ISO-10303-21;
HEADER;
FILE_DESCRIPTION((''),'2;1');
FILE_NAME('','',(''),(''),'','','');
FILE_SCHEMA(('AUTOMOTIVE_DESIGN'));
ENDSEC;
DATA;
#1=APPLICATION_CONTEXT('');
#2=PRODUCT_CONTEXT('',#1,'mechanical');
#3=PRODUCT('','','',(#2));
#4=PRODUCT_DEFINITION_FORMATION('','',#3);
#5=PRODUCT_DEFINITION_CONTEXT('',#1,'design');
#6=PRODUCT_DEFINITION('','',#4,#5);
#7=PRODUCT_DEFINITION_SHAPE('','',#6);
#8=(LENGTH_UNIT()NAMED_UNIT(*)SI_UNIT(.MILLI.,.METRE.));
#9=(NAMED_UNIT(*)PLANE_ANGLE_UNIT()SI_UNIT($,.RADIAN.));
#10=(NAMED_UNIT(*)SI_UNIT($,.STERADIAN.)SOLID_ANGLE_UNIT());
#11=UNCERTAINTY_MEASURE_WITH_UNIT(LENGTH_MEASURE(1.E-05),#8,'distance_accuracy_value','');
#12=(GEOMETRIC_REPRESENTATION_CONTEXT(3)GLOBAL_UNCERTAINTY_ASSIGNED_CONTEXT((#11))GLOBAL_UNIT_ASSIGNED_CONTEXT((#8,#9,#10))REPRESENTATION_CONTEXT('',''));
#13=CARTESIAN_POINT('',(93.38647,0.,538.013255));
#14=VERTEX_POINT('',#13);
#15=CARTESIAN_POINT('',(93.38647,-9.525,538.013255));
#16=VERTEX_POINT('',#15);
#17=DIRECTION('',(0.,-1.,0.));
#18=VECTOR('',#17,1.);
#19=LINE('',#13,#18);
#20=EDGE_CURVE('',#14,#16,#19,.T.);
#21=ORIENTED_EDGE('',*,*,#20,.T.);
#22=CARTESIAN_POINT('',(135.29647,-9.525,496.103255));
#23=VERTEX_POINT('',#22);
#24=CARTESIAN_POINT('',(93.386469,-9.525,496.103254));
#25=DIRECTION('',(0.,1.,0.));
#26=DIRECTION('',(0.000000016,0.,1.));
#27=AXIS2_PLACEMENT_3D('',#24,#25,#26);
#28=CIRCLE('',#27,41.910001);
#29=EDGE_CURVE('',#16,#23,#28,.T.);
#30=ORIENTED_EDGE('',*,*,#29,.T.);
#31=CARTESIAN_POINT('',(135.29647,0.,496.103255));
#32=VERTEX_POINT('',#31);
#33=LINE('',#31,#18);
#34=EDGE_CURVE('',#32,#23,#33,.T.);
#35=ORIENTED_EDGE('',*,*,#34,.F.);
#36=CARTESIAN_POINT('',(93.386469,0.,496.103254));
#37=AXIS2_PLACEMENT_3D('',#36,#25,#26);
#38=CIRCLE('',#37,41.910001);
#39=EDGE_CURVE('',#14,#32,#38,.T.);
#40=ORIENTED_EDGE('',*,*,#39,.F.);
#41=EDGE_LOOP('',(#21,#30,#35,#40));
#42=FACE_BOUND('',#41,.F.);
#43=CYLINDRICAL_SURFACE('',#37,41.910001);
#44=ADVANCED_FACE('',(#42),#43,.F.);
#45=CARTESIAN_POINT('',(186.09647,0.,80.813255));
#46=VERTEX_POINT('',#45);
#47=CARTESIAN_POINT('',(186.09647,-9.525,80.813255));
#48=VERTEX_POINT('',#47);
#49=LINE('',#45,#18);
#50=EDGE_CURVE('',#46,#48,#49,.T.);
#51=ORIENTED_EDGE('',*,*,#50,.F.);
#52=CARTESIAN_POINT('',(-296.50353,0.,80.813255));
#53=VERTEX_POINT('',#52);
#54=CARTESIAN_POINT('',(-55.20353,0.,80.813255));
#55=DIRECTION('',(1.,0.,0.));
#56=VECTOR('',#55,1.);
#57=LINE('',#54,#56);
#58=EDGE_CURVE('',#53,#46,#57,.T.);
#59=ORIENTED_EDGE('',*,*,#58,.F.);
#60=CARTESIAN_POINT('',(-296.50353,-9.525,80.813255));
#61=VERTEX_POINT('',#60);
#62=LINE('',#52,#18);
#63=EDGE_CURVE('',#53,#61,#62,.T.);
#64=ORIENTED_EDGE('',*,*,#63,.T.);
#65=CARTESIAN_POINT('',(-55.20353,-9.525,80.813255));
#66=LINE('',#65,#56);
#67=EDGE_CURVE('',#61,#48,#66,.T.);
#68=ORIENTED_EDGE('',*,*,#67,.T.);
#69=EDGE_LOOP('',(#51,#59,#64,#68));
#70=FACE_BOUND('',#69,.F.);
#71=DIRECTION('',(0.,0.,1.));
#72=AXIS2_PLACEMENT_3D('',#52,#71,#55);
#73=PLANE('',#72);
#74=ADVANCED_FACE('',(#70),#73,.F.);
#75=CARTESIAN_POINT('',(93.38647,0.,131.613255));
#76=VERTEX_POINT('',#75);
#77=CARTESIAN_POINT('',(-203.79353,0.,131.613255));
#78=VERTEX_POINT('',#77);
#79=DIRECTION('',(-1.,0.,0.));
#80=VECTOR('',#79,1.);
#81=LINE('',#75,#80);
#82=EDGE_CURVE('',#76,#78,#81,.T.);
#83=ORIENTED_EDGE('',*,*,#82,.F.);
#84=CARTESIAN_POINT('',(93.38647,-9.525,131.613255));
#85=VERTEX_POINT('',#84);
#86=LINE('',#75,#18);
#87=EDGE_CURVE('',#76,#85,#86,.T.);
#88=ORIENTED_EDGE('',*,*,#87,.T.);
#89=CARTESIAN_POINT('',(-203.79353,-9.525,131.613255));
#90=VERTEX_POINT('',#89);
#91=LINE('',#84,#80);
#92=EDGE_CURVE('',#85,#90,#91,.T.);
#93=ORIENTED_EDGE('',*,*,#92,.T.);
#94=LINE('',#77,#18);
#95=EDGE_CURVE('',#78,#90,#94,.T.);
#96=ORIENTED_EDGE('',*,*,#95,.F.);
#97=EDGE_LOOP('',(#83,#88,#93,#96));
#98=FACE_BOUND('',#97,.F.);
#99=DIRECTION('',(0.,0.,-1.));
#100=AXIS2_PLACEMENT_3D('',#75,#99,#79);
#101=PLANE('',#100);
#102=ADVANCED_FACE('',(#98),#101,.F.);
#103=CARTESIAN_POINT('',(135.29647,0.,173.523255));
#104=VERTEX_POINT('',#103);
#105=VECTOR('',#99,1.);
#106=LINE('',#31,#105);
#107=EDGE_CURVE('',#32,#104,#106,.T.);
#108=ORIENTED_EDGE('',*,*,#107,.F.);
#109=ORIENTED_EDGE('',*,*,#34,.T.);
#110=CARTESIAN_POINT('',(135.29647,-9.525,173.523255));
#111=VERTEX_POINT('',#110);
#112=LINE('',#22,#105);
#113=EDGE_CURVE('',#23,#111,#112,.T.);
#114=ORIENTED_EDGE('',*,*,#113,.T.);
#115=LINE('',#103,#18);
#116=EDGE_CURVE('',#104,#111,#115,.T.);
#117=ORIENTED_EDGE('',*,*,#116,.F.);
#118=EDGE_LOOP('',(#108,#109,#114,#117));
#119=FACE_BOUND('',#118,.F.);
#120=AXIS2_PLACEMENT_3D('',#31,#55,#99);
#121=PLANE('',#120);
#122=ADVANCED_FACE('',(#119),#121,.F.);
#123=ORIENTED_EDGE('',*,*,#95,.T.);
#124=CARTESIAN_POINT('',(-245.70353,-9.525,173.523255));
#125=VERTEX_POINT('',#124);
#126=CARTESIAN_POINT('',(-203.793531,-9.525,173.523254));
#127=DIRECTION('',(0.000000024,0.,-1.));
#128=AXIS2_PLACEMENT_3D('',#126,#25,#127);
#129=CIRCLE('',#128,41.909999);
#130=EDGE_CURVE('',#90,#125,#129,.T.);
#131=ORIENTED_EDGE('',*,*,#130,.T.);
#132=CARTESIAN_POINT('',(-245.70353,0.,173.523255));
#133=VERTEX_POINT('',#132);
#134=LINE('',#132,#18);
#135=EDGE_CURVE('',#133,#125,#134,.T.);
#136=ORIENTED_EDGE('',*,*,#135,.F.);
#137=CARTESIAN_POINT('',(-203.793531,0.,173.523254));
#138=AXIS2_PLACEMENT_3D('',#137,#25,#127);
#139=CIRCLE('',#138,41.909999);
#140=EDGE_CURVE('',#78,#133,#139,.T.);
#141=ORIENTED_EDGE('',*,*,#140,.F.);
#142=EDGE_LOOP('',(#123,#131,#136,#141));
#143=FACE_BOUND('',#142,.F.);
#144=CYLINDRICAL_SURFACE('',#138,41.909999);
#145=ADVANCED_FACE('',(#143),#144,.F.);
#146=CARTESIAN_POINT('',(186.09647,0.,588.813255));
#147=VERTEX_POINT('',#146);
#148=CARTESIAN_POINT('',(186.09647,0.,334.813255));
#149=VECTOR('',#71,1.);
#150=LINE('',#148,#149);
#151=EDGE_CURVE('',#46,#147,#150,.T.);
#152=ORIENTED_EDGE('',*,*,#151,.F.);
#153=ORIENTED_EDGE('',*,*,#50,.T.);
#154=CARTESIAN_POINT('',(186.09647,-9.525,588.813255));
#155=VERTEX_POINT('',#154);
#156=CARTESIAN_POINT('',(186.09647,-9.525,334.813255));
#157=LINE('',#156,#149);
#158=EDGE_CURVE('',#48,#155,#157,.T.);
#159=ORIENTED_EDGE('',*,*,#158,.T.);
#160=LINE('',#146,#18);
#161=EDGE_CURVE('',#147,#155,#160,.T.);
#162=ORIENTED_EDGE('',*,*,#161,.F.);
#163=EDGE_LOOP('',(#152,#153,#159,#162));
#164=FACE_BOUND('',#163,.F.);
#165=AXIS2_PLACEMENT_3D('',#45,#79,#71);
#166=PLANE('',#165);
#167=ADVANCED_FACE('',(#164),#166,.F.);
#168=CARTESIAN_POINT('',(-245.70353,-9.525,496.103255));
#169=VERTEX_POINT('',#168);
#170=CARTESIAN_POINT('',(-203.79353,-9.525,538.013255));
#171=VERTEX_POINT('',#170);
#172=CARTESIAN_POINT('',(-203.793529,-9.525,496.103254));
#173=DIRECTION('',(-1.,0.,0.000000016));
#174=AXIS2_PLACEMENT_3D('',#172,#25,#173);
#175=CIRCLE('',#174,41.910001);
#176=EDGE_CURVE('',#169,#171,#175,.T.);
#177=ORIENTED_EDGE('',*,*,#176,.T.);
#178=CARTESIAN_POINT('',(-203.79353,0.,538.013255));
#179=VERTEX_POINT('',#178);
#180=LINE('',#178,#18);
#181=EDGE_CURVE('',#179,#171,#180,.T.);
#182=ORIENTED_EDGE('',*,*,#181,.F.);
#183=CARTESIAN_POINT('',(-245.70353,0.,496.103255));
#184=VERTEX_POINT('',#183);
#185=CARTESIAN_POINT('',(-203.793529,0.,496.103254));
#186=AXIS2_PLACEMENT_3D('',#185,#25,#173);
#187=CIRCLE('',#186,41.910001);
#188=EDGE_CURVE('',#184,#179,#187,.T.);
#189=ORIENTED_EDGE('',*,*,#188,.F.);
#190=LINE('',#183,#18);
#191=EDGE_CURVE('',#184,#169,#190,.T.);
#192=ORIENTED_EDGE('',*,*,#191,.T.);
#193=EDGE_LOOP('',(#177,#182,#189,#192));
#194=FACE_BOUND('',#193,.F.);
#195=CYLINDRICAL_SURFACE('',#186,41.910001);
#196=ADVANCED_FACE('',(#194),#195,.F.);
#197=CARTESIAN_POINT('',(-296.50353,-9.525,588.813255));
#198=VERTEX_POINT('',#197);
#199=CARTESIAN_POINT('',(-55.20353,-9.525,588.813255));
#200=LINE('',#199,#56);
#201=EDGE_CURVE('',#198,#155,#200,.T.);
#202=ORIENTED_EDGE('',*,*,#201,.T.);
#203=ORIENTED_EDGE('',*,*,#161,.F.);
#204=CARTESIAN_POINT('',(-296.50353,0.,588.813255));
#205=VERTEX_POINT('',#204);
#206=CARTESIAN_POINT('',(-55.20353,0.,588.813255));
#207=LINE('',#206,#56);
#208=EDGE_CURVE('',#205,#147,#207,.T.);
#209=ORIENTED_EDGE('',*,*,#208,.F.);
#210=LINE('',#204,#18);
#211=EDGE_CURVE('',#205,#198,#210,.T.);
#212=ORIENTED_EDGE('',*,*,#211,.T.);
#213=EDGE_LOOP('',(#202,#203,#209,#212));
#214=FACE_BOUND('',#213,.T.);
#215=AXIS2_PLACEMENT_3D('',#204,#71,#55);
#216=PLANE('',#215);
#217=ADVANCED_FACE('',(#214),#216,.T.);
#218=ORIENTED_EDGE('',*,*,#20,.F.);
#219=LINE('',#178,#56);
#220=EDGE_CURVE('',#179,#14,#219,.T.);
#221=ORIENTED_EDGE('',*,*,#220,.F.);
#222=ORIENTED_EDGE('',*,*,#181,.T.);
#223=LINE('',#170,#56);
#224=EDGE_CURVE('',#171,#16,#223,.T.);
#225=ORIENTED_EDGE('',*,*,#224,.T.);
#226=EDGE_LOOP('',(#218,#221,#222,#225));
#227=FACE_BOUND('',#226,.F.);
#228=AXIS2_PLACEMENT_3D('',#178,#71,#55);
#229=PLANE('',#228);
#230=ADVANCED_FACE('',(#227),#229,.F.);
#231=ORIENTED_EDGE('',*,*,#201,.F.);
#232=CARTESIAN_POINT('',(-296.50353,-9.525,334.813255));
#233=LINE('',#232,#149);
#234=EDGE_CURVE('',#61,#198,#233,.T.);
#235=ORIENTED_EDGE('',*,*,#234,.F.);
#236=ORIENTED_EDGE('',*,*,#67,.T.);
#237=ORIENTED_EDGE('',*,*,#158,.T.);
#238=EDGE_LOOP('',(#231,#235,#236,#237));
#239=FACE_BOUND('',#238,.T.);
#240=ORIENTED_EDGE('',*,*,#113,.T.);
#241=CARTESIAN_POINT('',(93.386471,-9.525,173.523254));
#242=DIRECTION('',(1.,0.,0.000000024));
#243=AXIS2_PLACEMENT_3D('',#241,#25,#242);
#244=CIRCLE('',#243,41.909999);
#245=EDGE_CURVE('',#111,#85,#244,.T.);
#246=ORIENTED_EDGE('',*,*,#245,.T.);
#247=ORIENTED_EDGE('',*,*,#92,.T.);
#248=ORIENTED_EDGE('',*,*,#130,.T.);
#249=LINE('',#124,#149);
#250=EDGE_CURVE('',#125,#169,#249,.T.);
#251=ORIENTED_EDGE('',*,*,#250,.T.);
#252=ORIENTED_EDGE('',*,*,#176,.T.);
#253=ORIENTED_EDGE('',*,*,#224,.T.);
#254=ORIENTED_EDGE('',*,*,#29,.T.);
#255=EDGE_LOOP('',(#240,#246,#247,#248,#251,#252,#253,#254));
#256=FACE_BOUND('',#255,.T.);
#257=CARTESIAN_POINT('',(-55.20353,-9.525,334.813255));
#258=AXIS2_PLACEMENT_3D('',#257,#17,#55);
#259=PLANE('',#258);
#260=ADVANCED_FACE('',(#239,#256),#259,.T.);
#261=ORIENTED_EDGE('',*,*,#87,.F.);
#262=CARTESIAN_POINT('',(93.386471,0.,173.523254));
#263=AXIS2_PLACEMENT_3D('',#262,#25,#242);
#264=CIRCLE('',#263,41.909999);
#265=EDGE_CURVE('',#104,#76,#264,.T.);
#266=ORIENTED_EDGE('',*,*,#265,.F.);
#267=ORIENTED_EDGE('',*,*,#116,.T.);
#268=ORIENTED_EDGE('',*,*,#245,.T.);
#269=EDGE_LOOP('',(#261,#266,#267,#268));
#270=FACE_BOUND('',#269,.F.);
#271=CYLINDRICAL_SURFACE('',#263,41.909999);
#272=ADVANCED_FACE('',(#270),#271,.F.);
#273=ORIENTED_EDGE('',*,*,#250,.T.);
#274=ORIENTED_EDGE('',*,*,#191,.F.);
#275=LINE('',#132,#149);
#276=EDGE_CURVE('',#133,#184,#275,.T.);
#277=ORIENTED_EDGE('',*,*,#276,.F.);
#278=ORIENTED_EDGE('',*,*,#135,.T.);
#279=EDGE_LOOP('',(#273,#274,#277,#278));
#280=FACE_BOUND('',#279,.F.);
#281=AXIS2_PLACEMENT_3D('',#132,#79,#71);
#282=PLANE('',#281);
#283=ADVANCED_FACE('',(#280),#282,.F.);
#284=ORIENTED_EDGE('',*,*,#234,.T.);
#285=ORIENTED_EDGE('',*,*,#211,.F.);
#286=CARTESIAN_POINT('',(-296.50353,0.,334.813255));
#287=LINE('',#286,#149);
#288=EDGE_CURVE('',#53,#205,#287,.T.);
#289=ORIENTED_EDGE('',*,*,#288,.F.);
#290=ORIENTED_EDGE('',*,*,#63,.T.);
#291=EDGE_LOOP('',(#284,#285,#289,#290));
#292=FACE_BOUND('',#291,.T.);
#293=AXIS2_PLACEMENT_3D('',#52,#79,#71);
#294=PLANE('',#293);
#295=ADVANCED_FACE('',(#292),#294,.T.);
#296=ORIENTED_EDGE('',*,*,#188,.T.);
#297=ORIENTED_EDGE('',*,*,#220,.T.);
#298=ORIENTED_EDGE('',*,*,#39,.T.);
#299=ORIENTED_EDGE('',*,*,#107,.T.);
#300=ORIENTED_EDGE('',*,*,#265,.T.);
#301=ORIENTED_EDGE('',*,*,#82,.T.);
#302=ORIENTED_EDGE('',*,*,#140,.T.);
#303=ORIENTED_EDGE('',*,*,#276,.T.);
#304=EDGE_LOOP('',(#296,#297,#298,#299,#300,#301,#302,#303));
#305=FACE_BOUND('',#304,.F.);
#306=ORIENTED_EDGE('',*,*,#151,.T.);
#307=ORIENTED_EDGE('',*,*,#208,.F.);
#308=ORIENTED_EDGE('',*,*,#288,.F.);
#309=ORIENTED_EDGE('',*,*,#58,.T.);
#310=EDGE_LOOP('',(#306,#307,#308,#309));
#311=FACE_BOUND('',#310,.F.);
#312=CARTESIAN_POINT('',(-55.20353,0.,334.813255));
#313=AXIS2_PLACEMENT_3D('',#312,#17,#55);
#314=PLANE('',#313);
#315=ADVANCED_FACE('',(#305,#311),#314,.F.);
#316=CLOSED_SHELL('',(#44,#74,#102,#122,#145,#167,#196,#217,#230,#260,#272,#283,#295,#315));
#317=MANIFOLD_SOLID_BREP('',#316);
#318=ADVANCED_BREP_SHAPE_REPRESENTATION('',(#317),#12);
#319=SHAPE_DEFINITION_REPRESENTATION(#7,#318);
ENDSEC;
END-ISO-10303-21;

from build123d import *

# Parameters (mm, degrees)
F0_W     = 482.6
F0_H     = 508
F1_DEPTH = 9.525


with BuildPart() as f1:
    # F0 (on Front) → F1 (new body)
    with BuildSketch(Plane.XZ):
        with Locations((-55.20353, 334.813255)):
            Rectangle(F0_W, F0_H)
        with BuildLine():
            ThreePointArc((135.29647, 173.523255), (123.021315, 143.888409), (93.38647, 131.613255))
            Line((93.38647, 131.613255), (-203.79353, 131.613255))
            ThreePointArc((-203.79353, 131.613255), (-233.428375, 143.888409), (-245.70353, 173.523255))
            Line((-245.70353, 173.523255), (-245.70353, 496.103255))
            ThreePointArc((-245.70353, 496.103255), (-233.428375, 525.7381), (-203.79353, 538.013255))
            Line((-203.79353, 538.013255), (93.38647, 538.013255))
            ThreePointArc((93.38647, 538.013255), (123.021315, 525.7381), (135.29647, 496.103255))
            Line((135.29647, 496.103255), (135.29647, 173.523255))
        make_face(mode=Mode.SUBTRACT)
    extrude(amount=F1_DEPTH)


with BuildPart() as f2_1:
    # F2: copy of F1
    add(f1.part.moved(Location((0, 482.6, 0))))


solid = f1.part
